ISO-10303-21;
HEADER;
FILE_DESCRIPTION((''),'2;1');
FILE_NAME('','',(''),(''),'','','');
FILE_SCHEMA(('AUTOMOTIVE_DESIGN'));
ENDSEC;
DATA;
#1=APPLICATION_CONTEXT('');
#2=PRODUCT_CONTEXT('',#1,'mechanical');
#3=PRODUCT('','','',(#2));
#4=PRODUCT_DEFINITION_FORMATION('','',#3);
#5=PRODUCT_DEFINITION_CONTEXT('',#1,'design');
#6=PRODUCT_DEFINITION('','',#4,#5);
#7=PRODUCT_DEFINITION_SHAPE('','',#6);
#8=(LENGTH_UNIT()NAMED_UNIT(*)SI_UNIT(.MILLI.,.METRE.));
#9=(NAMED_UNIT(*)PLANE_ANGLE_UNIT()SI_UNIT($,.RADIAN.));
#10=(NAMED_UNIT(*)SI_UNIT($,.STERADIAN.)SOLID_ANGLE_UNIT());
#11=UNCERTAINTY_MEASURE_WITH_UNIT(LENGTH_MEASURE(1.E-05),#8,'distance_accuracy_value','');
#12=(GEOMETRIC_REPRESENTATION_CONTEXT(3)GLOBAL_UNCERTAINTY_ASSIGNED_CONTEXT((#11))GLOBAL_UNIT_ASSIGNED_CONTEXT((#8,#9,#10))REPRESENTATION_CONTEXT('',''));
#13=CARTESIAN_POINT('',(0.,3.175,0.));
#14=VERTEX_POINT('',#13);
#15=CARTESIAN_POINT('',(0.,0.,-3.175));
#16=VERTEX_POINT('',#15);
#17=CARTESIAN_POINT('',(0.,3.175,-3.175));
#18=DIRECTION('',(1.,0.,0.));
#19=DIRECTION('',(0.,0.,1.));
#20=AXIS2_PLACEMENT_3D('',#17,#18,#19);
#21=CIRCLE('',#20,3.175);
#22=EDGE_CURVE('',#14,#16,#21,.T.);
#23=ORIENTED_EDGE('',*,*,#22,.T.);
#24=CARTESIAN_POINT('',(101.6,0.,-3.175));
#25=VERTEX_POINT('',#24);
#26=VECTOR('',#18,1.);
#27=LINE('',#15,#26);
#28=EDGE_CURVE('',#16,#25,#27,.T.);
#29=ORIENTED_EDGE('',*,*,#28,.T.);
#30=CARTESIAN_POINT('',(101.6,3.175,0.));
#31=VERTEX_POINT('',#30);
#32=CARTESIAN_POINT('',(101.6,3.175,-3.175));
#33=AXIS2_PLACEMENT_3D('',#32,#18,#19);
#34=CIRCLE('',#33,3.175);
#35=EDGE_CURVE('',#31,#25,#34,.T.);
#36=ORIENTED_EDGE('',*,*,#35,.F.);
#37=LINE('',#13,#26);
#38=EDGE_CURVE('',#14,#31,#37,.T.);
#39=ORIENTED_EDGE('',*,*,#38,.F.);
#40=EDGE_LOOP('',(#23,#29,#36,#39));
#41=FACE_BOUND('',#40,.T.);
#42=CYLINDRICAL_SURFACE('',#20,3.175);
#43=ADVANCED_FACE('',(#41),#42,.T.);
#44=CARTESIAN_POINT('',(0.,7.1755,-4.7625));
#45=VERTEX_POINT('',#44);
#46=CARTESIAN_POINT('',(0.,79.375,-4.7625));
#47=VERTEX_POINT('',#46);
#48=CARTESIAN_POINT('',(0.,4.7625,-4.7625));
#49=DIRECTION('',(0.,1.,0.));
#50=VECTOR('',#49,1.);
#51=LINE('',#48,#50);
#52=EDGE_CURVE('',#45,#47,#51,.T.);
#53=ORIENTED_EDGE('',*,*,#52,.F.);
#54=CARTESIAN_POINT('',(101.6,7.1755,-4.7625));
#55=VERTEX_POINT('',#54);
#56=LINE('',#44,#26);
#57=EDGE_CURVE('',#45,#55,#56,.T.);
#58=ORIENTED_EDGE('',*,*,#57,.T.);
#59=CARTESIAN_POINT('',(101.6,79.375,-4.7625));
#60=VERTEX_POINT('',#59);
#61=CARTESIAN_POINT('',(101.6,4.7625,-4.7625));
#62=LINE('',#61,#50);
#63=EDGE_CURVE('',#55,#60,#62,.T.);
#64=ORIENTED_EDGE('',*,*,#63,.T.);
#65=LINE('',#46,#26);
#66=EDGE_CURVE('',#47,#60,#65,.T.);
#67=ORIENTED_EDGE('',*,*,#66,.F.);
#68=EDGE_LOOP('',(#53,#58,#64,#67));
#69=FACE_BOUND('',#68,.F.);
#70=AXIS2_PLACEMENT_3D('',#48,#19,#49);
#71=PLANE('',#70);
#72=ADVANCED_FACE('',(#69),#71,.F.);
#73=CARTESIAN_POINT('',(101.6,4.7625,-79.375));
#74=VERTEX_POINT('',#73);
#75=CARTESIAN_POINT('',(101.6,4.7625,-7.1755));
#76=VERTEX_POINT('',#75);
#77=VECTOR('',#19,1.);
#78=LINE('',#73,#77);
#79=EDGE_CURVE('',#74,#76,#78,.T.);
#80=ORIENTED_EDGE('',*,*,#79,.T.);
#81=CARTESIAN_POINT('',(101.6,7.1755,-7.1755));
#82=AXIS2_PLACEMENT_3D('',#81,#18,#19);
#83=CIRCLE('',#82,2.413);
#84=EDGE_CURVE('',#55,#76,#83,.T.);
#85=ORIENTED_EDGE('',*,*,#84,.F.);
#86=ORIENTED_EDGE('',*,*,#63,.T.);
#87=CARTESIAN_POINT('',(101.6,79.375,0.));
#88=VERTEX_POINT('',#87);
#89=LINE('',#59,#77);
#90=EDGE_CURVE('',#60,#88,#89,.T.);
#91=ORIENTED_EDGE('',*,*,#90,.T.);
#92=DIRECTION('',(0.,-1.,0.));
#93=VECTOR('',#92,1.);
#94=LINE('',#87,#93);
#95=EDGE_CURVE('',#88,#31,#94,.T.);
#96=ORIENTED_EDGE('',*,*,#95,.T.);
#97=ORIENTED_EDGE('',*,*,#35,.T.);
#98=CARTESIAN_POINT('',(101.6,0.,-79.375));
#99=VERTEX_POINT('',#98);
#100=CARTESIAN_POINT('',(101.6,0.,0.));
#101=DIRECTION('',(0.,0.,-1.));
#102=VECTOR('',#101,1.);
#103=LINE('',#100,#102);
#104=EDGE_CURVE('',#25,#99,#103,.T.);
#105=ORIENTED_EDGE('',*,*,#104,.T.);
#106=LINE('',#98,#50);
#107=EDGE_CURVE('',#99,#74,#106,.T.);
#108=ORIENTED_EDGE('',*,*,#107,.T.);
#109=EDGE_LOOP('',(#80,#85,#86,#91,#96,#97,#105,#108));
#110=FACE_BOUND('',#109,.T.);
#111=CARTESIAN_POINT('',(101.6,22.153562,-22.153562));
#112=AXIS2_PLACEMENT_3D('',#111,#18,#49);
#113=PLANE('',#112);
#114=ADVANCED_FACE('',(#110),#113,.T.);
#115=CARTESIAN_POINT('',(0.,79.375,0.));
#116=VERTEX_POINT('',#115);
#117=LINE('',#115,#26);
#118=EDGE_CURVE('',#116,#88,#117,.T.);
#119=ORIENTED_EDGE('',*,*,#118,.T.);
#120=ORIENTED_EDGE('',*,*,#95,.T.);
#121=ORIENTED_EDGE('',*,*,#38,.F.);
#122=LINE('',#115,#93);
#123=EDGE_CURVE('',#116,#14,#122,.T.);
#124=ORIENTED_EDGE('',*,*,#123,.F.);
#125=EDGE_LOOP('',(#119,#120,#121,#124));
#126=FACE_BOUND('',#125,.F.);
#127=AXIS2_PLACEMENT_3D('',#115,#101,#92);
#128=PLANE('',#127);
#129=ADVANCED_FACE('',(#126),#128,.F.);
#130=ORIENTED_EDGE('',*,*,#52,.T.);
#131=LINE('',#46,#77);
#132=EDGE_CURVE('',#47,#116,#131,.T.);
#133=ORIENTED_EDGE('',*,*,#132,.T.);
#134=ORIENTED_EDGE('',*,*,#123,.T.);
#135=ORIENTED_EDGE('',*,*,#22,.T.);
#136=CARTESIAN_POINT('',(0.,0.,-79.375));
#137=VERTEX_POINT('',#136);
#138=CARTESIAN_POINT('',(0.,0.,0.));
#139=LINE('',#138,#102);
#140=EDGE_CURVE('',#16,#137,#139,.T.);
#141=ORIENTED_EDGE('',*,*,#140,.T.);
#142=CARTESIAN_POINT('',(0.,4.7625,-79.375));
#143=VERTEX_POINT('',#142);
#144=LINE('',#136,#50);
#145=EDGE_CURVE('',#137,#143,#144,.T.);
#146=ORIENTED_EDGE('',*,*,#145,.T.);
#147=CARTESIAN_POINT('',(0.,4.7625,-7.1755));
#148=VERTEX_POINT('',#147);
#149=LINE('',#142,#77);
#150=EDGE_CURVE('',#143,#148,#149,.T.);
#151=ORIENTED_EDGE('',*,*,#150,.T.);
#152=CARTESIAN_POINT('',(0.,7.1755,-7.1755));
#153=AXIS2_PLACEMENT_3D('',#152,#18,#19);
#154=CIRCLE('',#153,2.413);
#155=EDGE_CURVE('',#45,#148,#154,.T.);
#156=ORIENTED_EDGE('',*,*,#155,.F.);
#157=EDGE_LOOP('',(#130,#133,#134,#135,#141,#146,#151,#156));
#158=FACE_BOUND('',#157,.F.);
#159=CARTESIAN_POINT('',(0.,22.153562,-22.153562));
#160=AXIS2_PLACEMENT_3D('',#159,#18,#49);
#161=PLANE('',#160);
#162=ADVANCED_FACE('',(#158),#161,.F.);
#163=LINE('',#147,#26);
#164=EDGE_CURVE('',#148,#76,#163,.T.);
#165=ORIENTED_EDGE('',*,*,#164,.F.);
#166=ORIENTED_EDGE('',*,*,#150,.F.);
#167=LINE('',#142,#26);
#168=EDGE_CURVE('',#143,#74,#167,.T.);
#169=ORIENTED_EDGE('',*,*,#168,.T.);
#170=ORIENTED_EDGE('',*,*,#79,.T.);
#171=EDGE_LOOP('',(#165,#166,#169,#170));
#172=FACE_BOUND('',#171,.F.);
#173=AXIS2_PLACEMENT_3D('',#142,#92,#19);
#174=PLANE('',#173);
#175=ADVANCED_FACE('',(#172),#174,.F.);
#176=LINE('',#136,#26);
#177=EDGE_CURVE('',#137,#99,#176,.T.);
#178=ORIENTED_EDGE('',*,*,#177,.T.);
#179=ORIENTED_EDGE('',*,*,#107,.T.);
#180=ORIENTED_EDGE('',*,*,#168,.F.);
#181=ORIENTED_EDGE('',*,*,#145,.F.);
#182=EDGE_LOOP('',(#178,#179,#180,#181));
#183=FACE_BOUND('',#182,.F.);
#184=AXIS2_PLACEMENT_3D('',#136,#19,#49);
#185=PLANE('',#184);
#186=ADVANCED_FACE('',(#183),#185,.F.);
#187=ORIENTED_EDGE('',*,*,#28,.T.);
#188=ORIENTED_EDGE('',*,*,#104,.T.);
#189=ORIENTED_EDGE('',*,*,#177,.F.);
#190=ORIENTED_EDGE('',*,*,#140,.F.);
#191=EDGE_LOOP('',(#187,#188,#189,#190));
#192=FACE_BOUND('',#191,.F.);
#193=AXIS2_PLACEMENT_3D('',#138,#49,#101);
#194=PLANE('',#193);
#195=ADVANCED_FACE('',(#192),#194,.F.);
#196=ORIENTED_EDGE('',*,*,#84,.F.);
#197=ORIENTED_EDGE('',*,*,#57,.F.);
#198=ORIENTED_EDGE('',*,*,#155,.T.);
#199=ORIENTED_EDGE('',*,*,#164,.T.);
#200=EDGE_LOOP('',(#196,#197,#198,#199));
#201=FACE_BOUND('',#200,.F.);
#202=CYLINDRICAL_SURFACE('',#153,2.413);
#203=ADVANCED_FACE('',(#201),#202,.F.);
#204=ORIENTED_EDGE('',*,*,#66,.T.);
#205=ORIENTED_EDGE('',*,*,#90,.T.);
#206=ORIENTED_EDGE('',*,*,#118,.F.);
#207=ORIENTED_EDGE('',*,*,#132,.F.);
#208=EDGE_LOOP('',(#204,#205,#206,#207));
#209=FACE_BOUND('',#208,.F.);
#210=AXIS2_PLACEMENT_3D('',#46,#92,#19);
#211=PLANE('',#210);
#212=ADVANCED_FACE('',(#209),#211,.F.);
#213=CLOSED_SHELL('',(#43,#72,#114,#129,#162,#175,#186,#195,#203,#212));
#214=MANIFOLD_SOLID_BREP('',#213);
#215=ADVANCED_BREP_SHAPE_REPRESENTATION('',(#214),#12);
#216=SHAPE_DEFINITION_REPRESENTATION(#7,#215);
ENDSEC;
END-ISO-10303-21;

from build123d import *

# Parameters (mm, degrees)
F1_DEPTH = 101.6
F2_R     = 3.175
F3_R     = 2.413


with BuildPart() as f1:
    # F0 (on Right) → F1 (new body)
    with BuildSketch(Plane.YZ):
        Polygon((79.375, 0), (0, 0), (0, -79.375), (4.7625, -79.375), (4.7625, -4.7625), (79.375, -4.7625), align=None)
    extrude(amount=F1_DEPTH)

    # F2
    f2_edges = [f1.edges().sort_by_distance(p)[0] for p in [
        (50.8, 0, 0),
    ]]
    fillet(f2_edges, radius=F2_R)

    # F3
    f3_edges = [f1.edges().sort_by_distance(p)[0] for p in [
        (50.8, 4.7625, -4.7625),
    ]]
    fillet(f3_edges, radius=F3_R)


solid = f1.part
